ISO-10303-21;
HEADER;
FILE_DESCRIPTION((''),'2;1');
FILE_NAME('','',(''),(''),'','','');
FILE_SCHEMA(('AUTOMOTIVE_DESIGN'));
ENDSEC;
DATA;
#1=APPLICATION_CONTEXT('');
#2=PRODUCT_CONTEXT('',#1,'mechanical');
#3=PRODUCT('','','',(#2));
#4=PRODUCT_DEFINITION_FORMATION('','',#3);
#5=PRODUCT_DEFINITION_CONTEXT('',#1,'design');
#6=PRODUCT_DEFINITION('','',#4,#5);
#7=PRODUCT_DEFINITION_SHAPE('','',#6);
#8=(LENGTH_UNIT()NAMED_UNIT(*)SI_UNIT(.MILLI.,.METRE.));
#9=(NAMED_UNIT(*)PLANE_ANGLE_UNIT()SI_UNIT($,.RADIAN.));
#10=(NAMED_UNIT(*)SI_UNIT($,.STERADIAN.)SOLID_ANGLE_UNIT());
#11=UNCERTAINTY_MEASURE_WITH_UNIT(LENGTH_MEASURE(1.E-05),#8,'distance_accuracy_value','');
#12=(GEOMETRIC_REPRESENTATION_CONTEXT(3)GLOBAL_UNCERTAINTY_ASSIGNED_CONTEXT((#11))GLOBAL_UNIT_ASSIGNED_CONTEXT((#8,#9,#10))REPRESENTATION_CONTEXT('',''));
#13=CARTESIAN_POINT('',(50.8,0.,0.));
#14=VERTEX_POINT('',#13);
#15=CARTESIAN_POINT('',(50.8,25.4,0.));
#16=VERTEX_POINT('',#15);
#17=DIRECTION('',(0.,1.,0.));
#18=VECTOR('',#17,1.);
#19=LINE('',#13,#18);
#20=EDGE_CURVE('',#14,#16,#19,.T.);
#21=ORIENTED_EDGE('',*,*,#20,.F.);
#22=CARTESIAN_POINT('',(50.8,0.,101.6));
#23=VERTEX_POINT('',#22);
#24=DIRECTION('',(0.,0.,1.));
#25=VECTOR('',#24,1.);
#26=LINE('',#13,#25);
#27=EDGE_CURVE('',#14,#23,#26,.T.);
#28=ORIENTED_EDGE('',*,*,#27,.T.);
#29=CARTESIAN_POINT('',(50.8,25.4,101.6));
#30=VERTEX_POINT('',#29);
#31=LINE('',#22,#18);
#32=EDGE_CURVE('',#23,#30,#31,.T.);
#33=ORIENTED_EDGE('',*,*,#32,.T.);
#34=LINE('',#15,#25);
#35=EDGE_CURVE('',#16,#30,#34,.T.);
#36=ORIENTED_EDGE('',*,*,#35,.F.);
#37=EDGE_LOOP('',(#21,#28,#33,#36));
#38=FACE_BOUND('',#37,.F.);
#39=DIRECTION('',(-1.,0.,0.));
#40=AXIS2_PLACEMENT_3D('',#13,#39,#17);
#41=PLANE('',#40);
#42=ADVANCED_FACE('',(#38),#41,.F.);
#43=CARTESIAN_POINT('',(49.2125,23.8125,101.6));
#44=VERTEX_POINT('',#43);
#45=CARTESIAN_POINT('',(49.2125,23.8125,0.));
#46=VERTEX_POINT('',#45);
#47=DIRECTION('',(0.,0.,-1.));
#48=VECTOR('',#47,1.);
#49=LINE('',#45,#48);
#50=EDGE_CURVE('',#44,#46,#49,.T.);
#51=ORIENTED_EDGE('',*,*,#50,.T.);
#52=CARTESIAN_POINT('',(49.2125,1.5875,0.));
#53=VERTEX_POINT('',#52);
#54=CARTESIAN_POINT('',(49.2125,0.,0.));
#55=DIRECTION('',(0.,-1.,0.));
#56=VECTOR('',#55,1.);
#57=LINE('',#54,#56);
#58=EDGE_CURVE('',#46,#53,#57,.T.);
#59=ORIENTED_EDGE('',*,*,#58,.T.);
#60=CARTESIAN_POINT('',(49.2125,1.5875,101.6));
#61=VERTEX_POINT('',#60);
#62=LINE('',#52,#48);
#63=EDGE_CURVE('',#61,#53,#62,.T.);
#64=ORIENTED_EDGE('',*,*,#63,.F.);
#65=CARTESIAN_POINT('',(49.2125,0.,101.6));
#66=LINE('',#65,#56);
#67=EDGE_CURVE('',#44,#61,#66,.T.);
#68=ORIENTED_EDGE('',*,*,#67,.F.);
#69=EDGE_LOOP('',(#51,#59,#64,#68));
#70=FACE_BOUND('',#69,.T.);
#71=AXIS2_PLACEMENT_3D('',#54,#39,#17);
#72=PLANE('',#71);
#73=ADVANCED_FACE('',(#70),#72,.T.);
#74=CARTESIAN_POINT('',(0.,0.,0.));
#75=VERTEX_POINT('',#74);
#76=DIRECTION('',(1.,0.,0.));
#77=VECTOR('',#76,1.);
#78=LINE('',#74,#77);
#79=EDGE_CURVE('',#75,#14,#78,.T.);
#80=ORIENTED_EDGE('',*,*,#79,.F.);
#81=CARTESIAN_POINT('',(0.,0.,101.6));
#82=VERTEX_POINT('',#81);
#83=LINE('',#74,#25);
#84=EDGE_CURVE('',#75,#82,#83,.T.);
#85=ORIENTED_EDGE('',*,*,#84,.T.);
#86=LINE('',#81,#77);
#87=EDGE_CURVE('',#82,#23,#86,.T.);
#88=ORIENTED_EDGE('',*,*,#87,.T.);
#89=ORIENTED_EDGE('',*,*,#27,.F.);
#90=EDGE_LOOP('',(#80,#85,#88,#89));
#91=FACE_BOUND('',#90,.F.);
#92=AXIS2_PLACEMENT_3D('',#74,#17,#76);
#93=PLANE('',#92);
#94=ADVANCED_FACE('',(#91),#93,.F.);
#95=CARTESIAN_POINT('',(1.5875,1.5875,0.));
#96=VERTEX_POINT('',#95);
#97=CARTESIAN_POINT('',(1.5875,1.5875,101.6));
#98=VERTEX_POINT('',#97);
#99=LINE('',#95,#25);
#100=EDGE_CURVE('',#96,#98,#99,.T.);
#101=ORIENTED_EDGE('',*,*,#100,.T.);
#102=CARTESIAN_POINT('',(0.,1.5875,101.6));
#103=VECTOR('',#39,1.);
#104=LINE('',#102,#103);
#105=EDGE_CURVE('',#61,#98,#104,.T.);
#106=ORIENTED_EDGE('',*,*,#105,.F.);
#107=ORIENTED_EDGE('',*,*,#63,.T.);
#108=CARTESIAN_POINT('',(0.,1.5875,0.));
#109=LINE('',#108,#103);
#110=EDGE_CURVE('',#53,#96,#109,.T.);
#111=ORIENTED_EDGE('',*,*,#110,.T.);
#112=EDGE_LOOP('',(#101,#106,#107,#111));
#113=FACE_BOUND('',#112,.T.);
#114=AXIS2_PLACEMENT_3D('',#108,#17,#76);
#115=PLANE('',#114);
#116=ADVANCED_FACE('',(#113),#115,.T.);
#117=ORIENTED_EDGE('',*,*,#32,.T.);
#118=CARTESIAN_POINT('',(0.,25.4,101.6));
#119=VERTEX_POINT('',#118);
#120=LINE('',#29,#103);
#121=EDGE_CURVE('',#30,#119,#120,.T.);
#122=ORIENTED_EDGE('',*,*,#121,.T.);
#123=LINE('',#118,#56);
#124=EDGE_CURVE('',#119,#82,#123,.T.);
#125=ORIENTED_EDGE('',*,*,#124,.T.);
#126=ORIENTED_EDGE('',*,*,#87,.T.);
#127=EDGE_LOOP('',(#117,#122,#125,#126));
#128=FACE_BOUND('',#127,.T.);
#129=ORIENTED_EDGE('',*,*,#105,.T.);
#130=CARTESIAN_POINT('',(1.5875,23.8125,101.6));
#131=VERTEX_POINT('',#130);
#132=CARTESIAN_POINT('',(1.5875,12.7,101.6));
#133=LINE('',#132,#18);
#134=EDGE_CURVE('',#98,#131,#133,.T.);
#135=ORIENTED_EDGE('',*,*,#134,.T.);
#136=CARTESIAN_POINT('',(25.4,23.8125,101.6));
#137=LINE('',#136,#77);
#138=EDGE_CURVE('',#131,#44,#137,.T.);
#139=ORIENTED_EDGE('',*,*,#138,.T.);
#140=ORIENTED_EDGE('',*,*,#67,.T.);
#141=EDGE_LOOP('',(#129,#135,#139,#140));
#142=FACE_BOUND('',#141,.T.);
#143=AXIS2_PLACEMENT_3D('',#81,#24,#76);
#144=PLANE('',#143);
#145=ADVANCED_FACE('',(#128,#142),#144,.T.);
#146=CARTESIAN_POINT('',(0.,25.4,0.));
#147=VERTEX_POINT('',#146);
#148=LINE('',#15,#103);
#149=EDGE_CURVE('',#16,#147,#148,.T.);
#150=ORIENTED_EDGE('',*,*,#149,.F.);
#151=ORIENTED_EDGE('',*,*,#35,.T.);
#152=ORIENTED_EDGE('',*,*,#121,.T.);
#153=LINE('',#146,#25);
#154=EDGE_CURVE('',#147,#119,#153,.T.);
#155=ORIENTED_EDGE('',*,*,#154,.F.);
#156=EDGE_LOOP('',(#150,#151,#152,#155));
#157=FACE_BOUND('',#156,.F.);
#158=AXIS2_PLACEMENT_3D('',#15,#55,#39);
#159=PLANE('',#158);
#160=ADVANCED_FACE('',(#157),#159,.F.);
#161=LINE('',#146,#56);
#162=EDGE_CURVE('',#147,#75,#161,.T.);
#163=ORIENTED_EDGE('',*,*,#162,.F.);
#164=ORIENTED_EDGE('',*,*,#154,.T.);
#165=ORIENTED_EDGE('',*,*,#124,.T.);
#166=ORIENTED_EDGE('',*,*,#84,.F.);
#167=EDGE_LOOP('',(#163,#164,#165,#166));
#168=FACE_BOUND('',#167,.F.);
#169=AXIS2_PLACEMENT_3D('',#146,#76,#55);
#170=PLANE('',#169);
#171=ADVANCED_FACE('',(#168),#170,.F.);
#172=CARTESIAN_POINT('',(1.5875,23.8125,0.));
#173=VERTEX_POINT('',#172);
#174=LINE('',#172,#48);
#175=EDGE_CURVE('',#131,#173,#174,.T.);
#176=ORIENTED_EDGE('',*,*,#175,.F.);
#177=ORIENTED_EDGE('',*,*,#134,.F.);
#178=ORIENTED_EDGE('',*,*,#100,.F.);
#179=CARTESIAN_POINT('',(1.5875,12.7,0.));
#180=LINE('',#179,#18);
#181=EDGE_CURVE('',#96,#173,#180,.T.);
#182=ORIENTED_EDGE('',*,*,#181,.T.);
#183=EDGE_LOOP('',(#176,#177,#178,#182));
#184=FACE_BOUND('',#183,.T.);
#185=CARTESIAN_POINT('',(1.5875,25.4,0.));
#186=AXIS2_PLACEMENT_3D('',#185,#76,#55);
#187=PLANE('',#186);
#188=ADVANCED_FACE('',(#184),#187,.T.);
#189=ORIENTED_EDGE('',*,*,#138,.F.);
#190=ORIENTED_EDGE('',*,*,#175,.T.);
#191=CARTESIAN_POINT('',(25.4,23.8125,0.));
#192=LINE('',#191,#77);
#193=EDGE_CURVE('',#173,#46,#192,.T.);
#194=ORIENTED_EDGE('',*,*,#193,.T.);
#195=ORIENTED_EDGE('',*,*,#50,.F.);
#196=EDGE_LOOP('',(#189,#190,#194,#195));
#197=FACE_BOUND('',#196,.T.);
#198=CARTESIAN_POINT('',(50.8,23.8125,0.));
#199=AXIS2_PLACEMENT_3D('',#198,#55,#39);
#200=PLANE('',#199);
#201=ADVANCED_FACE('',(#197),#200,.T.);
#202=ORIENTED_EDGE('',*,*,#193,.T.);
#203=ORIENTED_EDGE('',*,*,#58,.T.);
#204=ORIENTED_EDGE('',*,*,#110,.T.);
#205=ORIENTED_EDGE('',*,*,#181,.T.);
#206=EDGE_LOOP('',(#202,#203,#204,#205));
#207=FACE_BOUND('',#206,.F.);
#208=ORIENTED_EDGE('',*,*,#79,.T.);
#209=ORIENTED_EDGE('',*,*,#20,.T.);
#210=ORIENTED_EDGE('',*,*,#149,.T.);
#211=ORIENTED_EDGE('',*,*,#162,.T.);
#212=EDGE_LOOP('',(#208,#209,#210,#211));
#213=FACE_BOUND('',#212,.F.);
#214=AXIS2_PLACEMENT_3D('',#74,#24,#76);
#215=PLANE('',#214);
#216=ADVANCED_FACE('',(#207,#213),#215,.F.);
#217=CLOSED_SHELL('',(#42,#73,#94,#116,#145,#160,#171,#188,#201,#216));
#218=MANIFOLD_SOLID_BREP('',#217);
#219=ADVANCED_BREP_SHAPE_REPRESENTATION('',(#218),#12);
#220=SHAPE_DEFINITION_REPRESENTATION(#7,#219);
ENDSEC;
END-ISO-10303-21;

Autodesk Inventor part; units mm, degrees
ref_plane "YZ Plane" through (0, 0, 0) normal (1, 0, 0) x (0, 1, 0)
ref_plane "XZ Plane" through (0, 0, 0) normal (0, 1, 0) x (-1, 0, 0)
ref_plane "XY Plane" through (0, 0, 0) normal (0, 0, 1) x (1, 0, 0)
sketch "Sketch1" plane through (0, 0, 0) normal (0, 0, 1) x (1, 0, 0)
  line L0 (0, 0) -> (50.8, 0)
  line L1 (50.8, 0) -> (50.8, 25.4)
  line L2 (50.8, 25.4) -> (0, 25.4)
  line L3 (0, 25.4) -> (0, 0)
  dimension "d0" = 50.8
  dimension "d1" = 25.4
extrude "Extrusion1" add sketch "Sketch1" along normal blind 101.6
shell "Shell1" thickness 1.5875 removed faces 2 at (16.9333, 8.4667, 0) at (16.9333, 8.4667, 101.6)
equation "\"d2\" = Length"
equation "\"Length\" = 101.6"
properties part number "WEIRD THANG"
